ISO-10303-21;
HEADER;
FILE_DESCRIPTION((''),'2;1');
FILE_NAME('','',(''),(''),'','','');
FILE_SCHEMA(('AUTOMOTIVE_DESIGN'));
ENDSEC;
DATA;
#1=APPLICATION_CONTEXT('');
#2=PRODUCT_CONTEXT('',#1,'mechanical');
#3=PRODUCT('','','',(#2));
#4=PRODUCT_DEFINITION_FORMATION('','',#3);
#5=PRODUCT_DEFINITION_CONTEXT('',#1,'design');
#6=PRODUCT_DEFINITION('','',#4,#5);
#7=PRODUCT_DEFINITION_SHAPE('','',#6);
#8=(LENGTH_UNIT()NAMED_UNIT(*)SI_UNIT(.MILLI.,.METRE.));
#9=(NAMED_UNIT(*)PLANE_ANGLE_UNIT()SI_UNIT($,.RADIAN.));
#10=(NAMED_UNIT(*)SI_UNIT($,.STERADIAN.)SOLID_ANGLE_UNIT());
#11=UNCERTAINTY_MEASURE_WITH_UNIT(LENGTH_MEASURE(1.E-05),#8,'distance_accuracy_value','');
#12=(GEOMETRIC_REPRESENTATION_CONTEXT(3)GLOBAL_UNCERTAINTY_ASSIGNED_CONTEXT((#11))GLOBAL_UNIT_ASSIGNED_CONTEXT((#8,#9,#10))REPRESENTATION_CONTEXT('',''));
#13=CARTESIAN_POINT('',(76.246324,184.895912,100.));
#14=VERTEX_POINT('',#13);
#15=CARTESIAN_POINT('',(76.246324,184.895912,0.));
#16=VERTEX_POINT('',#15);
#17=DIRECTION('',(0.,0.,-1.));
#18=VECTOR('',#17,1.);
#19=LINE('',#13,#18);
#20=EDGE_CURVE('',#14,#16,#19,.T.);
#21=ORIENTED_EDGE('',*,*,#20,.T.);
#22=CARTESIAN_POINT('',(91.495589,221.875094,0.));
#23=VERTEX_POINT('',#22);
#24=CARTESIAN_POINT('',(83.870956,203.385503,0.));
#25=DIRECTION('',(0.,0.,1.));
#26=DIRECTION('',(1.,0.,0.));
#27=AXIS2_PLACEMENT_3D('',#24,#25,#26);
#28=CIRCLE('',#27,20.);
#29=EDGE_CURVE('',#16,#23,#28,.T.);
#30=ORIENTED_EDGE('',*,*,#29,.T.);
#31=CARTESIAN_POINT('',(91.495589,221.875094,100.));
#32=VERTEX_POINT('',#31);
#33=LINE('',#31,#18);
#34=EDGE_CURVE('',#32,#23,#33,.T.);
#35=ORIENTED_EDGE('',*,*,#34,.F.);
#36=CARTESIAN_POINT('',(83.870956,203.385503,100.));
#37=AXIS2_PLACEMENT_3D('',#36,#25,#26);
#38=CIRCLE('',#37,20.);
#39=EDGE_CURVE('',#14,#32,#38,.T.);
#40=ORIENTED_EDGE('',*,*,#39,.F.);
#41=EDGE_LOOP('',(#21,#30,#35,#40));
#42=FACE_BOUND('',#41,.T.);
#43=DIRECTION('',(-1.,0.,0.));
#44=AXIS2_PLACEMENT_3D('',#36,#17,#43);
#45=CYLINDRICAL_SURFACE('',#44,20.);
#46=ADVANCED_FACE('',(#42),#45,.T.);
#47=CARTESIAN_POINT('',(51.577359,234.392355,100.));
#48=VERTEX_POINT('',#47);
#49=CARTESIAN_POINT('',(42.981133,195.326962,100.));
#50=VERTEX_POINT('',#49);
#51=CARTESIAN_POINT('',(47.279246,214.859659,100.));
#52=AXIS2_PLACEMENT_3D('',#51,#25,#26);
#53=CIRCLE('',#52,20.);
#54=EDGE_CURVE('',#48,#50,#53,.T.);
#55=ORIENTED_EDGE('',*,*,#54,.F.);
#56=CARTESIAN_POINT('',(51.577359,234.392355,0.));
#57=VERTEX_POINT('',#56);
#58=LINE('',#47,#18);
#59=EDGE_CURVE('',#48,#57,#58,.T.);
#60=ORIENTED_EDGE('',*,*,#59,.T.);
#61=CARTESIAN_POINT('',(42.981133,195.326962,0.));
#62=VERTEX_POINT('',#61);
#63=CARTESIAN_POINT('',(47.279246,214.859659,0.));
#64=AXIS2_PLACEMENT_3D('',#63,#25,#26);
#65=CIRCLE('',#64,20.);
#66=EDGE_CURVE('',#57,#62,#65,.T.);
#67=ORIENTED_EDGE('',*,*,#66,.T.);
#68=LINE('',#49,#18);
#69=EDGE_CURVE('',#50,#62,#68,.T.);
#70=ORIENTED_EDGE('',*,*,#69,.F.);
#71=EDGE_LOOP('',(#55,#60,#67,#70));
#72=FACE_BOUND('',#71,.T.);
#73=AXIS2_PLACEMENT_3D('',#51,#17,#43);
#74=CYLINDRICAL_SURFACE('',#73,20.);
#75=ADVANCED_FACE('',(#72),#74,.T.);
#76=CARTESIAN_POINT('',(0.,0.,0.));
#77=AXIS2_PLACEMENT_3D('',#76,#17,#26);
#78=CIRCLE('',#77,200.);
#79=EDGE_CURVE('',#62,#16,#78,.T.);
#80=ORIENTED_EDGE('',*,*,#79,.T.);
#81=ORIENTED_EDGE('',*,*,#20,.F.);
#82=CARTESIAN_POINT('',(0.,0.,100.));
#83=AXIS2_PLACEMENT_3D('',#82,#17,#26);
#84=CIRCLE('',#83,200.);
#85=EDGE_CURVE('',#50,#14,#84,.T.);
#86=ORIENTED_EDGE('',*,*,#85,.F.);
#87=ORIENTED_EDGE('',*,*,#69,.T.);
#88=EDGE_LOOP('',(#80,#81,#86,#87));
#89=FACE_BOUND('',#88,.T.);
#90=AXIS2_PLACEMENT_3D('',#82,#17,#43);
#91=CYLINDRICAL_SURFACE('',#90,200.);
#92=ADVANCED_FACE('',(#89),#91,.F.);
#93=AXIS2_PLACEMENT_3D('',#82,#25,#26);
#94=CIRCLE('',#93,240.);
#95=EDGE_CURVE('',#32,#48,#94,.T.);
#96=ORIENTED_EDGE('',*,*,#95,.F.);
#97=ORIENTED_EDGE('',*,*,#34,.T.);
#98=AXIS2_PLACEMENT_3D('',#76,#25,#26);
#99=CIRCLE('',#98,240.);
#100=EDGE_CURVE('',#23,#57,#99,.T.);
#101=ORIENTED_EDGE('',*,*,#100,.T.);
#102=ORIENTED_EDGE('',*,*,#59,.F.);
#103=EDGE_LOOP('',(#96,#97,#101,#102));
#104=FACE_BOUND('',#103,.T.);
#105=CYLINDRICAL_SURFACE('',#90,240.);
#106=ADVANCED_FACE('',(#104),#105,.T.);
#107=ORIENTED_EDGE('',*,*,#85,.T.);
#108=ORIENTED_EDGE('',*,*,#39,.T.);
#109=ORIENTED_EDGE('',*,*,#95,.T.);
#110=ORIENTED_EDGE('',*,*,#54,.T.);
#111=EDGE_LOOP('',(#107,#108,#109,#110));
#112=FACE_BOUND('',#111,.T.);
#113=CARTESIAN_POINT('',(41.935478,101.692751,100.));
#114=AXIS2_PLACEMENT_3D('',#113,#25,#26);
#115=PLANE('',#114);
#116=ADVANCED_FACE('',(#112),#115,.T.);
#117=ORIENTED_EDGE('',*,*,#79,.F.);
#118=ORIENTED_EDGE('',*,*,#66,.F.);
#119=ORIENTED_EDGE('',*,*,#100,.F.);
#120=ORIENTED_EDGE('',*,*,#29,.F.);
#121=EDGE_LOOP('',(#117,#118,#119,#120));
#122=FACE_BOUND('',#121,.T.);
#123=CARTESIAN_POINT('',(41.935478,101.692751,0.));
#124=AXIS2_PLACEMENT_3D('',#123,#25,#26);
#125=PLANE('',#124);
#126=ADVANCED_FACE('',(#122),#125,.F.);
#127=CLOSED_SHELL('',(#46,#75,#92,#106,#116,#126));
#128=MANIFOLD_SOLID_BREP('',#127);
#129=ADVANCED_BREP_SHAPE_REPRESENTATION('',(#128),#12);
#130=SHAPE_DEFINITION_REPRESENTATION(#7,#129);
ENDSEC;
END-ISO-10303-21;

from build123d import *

# Parameters (mm, degrees)
BOSS_EXTRUDE1_DEPTH = 100


with BuildPart() as part:
    # Sketch1 → Boss-Extrude1 (new body)
    with BuildSketch(Plane.XY):
        with BuildLine():
            ThreePointArc((91.495588631, 221.875093828), (71.809731693, 229.005158095), (51.577359337, 234.392354832))
            ThreePointArc((51.577359337, 234.392354832), (27.746549823, 219.157771874), (42.981132781, 195.32696236))
            ThreePointArc((42.981132781, 195.32696236), (59.841443078, 190.837631746), (76.246323859, 184.895911523))
            ThreePointArc((76.246323859, 184.895911523), (102.360547397, 195.76087029), (91.495588631, 221.875093828))
        make_face()
    extrude(amount=BOSS_EXTRUDE1_DEPTH)


solid = part.part
